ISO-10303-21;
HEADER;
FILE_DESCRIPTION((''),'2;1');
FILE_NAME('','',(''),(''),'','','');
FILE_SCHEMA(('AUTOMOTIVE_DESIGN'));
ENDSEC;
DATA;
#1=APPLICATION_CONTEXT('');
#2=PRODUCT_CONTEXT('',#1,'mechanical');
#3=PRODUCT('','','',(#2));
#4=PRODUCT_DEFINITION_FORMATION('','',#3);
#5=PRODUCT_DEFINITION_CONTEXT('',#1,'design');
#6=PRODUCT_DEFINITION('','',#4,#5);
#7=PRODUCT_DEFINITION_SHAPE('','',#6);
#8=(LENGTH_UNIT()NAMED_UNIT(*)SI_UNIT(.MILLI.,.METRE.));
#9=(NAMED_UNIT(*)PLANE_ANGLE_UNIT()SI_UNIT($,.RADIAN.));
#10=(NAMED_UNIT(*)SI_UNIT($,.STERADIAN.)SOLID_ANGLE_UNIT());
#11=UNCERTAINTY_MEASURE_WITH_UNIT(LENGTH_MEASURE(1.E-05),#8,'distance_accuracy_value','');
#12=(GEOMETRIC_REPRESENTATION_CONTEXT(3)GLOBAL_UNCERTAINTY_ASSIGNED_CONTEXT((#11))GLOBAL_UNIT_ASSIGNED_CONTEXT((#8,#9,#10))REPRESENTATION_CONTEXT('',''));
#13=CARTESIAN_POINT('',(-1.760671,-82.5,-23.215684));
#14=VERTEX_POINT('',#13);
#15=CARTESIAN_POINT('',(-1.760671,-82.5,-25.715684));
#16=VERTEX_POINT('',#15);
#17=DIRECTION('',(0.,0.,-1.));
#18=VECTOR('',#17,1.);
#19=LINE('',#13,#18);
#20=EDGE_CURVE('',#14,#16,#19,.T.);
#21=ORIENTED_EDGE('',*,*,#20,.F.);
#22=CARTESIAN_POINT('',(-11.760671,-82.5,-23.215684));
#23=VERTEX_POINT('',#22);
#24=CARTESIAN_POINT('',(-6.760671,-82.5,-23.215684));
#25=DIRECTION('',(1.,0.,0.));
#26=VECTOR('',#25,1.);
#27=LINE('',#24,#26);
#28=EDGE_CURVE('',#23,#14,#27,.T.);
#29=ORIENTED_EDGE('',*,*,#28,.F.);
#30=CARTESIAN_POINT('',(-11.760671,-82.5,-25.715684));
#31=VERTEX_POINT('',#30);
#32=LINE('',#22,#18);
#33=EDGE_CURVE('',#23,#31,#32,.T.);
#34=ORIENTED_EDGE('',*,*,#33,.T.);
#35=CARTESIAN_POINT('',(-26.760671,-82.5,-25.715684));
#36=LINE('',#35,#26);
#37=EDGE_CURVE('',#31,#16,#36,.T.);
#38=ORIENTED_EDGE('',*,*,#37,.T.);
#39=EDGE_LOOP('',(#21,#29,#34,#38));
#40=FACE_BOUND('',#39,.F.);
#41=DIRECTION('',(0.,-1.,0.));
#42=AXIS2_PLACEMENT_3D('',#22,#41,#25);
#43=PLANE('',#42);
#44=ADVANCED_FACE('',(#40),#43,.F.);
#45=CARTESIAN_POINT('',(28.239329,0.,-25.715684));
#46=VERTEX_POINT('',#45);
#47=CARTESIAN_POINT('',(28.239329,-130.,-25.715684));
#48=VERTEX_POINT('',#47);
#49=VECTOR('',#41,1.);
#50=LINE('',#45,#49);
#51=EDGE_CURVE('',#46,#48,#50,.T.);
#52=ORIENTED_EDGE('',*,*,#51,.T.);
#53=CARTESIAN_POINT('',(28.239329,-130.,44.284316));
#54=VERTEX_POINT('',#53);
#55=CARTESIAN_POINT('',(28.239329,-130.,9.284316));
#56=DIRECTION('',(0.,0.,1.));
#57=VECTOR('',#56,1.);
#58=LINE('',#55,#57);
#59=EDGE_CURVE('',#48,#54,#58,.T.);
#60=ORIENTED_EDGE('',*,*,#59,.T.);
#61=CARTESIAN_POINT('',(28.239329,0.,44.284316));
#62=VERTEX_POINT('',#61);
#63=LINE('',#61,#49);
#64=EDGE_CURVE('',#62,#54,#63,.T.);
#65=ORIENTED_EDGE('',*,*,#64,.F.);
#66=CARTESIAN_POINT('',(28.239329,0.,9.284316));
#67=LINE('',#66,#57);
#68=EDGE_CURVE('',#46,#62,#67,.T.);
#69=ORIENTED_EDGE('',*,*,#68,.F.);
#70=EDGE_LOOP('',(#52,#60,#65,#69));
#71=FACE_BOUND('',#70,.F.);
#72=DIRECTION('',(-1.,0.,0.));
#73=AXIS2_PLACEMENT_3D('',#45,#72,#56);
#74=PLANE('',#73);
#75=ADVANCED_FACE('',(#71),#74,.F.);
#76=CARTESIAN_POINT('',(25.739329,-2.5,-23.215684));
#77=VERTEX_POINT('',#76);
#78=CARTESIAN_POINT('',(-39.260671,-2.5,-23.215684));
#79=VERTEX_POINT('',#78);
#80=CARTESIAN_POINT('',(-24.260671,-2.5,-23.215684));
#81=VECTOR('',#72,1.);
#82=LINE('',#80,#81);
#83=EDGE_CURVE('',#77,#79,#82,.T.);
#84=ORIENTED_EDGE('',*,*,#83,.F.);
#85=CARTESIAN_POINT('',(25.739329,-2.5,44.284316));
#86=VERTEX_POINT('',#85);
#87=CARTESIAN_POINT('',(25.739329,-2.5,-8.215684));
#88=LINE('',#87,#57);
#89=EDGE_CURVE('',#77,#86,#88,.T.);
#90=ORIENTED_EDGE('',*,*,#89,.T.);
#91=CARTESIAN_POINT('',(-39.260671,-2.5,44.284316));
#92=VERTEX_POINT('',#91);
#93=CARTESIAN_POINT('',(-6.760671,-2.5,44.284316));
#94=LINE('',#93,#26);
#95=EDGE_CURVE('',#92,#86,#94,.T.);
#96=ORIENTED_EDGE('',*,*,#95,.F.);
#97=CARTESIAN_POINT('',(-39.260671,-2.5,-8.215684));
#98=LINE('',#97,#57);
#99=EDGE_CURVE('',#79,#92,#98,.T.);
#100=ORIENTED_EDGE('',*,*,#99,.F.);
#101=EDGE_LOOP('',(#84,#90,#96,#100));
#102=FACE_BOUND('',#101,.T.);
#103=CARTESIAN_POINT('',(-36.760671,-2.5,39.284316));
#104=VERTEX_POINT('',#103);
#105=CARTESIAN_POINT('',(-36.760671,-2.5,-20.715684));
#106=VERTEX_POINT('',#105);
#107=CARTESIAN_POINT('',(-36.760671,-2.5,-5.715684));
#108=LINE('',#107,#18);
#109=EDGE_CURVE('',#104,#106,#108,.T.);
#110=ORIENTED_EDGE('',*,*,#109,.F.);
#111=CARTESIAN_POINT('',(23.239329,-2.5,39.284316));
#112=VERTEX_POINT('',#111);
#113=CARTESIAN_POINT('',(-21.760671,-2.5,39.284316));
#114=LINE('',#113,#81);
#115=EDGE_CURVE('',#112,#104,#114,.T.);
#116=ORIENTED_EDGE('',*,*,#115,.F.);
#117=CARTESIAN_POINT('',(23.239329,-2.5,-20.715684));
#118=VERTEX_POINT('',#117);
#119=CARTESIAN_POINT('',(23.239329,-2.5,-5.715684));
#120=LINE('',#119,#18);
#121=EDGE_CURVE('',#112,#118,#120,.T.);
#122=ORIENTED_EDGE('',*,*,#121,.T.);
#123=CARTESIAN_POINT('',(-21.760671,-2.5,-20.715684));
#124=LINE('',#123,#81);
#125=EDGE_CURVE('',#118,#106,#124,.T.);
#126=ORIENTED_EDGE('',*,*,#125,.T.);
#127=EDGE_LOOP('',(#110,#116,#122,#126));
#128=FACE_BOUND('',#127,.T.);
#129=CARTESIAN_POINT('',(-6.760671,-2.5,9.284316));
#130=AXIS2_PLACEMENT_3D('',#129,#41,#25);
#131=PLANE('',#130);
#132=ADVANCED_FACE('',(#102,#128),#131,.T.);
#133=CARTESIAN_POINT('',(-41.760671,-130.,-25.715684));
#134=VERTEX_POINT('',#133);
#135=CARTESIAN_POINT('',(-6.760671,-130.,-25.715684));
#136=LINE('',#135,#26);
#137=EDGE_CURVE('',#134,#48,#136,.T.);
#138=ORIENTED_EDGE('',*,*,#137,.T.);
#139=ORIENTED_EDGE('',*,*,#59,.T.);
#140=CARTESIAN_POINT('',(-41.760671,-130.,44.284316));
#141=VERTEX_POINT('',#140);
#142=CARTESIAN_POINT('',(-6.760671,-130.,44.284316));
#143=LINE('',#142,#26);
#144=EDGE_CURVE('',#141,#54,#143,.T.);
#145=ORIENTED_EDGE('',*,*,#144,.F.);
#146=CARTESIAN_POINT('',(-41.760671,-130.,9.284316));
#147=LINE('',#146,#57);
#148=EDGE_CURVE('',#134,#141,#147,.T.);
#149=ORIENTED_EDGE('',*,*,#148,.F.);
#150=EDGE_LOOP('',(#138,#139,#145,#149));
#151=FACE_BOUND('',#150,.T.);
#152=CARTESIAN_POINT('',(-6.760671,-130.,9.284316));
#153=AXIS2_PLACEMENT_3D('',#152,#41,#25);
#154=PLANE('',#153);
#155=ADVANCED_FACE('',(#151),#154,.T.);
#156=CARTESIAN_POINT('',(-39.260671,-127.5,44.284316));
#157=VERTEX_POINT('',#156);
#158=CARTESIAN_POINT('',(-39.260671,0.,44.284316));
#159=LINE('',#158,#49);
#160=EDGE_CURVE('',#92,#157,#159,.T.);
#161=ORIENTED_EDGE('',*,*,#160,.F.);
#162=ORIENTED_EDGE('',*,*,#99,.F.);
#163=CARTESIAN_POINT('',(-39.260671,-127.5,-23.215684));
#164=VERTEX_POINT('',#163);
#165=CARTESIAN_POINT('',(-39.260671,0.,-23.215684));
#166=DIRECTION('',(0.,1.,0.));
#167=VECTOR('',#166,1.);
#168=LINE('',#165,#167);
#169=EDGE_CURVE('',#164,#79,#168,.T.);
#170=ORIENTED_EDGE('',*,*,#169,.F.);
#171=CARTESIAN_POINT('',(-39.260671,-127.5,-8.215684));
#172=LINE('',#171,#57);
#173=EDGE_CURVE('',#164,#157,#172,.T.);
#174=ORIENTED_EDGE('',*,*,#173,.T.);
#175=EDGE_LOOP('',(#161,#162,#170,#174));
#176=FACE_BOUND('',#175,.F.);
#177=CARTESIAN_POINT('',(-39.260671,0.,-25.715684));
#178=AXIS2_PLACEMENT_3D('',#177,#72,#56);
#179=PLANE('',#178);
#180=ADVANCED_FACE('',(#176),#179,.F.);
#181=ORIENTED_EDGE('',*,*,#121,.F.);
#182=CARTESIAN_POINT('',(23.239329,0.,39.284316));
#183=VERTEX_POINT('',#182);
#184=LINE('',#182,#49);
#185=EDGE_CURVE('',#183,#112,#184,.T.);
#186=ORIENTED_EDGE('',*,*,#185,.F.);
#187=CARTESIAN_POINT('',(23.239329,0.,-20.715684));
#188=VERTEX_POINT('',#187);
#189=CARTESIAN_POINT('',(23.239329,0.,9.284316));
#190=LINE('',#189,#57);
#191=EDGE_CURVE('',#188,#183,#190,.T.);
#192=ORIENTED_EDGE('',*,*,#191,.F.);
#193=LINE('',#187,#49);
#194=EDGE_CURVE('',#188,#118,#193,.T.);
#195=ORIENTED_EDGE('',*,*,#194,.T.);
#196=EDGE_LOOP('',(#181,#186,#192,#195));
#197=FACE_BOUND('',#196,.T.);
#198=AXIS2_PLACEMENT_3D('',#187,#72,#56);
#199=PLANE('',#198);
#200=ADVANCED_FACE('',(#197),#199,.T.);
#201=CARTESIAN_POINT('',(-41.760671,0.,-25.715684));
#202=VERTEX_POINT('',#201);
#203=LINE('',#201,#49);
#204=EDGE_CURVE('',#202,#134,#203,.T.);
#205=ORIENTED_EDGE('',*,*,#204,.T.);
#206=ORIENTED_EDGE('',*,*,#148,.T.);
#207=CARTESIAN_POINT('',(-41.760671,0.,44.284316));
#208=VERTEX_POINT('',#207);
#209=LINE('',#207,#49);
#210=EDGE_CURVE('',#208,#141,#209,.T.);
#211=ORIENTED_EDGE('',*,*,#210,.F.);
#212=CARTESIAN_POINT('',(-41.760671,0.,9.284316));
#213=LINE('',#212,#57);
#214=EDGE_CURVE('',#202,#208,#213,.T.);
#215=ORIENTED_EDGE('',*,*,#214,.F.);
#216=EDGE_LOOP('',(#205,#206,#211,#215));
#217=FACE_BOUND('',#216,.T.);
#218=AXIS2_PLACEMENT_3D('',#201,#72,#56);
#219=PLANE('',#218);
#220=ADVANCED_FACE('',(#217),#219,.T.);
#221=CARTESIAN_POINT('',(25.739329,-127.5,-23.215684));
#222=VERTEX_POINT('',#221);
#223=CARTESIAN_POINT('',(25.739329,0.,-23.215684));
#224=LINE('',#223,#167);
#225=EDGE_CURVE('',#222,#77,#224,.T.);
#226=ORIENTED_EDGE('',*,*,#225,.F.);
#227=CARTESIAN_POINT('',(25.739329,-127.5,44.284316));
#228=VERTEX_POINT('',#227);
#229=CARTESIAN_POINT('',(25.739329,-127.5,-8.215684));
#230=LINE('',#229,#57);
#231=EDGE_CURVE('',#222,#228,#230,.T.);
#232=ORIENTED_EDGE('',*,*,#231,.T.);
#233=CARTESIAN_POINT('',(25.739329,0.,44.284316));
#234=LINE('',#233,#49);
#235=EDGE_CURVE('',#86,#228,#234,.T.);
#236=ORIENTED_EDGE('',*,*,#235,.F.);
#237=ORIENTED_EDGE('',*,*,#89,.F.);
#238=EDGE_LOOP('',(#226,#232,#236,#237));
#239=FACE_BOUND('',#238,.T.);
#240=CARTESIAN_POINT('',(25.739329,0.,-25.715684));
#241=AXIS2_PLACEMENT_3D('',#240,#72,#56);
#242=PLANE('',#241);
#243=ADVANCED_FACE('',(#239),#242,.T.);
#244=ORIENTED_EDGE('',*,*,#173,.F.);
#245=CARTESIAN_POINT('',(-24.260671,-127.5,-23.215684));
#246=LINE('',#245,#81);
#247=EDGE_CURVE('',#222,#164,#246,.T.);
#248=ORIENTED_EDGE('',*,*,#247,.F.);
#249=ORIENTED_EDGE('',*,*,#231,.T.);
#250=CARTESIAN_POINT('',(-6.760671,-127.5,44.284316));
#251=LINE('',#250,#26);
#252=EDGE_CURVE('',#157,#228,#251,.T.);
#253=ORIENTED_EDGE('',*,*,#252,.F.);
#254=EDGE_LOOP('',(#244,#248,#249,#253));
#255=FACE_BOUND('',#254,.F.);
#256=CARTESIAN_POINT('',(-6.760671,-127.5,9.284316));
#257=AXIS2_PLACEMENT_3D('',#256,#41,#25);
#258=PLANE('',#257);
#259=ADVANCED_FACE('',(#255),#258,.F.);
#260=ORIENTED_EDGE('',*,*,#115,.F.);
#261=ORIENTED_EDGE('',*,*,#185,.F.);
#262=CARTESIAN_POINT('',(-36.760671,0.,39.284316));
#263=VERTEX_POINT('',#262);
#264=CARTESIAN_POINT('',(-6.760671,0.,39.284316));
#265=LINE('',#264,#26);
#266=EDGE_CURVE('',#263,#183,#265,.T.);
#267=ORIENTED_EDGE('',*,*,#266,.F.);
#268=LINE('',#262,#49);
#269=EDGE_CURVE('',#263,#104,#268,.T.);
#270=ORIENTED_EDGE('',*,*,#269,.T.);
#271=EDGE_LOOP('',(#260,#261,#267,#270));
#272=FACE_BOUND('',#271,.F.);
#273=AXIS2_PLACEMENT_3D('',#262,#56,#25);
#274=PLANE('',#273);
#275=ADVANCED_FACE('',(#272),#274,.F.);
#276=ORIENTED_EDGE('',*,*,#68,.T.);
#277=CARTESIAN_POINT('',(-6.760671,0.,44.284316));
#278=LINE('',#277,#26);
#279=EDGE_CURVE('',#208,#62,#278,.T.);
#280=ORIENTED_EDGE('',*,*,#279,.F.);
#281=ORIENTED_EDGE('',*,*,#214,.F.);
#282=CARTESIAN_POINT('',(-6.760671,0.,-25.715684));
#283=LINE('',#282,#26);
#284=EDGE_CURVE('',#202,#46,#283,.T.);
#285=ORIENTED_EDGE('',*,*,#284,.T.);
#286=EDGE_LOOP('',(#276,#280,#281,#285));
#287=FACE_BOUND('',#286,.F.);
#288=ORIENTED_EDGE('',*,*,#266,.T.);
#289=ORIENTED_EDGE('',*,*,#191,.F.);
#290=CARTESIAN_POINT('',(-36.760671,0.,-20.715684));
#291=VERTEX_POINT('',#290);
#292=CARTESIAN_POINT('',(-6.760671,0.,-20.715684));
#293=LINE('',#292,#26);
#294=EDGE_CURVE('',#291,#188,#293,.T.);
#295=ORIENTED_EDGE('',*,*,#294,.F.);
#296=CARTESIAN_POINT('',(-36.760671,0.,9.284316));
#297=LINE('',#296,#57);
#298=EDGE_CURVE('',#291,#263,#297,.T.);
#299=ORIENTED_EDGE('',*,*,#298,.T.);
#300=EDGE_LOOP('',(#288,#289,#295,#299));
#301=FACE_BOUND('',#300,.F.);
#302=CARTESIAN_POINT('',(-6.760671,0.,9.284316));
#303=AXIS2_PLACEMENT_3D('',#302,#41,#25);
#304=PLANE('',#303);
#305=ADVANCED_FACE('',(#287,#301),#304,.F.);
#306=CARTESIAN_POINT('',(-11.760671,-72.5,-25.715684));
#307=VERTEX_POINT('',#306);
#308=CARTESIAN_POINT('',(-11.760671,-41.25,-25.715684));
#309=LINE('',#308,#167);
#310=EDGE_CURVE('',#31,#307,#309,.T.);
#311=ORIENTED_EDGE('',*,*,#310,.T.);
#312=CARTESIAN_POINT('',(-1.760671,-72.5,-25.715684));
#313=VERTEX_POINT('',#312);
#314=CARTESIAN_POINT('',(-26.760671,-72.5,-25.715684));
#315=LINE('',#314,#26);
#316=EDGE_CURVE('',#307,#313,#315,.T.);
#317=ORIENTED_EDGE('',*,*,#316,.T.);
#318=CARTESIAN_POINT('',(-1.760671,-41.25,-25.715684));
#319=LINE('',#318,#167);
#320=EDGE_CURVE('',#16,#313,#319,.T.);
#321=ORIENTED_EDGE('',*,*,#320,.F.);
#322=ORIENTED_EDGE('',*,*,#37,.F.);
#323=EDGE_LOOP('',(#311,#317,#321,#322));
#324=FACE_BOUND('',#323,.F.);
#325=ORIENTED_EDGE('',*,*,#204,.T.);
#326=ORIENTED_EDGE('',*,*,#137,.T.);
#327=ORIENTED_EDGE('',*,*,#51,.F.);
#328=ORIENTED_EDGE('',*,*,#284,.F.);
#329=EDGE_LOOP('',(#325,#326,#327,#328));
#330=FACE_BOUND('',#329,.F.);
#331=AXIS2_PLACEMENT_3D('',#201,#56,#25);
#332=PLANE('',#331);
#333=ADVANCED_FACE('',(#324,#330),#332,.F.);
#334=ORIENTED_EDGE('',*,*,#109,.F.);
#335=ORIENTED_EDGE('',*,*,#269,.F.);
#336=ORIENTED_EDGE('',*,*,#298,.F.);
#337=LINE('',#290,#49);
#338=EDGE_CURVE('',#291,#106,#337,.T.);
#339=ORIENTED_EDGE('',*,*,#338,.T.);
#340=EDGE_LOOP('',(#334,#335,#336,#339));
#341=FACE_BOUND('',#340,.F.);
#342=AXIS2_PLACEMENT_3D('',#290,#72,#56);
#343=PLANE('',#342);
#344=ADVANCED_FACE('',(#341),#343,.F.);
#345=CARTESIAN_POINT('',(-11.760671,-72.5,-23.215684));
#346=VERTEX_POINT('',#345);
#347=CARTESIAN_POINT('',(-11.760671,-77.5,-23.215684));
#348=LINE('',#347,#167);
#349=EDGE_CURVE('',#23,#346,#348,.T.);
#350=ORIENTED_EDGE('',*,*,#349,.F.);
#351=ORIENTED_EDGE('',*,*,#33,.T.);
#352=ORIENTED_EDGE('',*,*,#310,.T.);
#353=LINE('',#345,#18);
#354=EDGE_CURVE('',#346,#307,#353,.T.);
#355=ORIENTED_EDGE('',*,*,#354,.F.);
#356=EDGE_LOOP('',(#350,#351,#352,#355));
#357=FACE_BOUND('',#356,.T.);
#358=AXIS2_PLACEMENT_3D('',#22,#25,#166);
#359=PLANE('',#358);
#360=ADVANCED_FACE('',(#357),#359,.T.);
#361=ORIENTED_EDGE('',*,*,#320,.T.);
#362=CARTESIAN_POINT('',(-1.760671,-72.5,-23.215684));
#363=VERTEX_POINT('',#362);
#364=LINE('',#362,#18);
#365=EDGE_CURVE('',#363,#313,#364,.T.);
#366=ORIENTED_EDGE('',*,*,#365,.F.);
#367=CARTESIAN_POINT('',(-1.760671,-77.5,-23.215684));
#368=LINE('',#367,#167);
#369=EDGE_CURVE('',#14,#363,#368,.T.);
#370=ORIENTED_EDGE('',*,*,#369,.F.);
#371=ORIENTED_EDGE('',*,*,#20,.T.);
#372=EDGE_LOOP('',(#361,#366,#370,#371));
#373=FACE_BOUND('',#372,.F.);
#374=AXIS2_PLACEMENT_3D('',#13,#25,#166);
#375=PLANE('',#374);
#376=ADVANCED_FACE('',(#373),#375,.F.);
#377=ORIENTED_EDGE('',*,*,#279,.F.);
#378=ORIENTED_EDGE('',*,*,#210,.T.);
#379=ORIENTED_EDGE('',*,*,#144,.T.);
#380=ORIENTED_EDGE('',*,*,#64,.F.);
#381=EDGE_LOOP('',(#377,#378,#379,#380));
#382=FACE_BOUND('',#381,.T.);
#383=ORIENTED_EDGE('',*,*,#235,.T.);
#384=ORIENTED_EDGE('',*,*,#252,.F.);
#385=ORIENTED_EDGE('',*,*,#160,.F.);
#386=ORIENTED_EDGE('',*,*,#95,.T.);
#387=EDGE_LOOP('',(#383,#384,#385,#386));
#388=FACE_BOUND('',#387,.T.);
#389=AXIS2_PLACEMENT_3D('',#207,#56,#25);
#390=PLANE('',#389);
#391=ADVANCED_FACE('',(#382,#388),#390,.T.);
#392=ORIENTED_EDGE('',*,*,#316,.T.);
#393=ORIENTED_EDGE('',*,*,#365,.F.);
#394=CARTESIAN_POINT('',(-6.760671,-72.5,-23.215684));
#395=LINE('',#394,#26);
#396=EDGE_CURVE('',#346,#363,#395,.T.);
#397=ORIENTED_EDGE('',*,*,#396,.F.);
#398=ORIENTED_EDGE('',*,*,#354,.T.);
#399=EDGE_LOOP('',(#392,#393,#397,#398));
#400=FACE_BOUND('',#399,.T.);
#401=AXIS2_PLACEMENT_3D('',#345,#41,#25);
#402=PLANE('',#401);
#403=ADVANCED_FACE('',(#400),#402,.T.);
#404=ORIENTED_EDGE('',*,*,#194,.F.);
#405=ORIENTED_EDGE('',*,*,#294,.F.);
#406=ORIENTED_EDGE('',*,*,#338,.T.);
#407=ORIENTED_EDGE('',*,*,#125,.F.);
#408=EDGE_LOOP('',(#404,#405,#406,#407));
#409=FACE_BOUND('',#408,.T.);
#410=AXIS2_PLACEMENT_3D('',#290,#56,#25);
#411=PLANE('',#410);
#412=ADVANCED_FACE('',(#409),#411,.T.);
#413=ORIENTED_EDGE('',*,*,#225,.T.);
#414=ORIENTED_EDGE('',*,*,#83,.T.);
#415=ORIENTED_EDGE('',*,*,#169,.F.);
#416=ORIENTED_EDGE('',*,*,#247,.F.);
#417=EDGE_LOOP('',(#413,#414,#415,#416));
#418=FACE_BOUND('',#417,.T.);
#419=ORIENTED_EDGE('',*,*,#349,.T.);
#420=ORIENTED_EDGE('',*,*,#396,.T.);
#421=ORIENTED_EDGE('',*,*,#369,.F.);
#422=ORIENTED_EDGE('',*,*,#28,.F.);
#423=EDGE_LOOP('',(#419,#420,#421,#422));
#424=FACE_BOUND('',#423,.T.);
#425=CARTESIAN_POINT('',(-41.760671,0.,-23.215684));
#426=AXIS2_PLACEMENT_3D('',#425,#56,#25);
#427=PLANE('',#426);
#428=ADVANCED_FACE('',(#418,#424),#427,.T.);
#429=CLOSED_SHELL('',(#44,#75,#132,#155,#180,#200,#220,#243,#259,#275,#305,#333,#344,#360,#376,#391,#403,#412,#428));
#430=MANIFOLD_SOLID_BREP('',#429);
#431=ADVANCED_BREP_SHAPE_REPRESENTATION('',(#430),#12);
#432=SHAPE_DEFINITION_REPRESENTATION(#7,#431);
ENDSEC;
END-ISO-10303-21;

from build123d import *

# Parameters (mm, degrees)
F0_W     = 70
F0_H     = 70
F1_DEPTH = 130
F2_T     = -2.5
F3_W     = 60
F3_H     = 60
F4_DEPTH = 25
F5_W     = 10
F5_H     = 10
F6_DEPTH = 25


with BuildPart() as f1:
    # F0 (on Front) → F1 (new body)
    with BuildSketch(Plane.XZ):
        with Locations((-6.760671, 9.284316)):
            Rectangle(F0_W, F0_H)
    extrude(amount=F1_DEPTH)

    # F2
    f2_openings = [f1.faces().sort_by_distance(p)[0] for p in [
        (-6.760671, -65, 44.284316),
    ]]
    offset(amount=F2_T, openings=f2_openings)

    # F3 (on Front) → F4 (cut)
    with BuildSketch(Plane.XZ):
        with Locations((-6.760671, 9.284316)):
            Rectangle(F3_W, F3_H)
    extrude(amount=F4_DEPTH, mode=Mode.SUBTRACT)

    # F5 (on face) → F6 (cut)
    with BuildSketch(Plane.XY.offset(-23.215684)):
        with Locations((-6.760671, -77.5)):
            Rectangle(F5_W, F5_H)
    extrude(amount=-F6_DEPTH, mode=Mode.SUBTRACT)


solid = f1.part
